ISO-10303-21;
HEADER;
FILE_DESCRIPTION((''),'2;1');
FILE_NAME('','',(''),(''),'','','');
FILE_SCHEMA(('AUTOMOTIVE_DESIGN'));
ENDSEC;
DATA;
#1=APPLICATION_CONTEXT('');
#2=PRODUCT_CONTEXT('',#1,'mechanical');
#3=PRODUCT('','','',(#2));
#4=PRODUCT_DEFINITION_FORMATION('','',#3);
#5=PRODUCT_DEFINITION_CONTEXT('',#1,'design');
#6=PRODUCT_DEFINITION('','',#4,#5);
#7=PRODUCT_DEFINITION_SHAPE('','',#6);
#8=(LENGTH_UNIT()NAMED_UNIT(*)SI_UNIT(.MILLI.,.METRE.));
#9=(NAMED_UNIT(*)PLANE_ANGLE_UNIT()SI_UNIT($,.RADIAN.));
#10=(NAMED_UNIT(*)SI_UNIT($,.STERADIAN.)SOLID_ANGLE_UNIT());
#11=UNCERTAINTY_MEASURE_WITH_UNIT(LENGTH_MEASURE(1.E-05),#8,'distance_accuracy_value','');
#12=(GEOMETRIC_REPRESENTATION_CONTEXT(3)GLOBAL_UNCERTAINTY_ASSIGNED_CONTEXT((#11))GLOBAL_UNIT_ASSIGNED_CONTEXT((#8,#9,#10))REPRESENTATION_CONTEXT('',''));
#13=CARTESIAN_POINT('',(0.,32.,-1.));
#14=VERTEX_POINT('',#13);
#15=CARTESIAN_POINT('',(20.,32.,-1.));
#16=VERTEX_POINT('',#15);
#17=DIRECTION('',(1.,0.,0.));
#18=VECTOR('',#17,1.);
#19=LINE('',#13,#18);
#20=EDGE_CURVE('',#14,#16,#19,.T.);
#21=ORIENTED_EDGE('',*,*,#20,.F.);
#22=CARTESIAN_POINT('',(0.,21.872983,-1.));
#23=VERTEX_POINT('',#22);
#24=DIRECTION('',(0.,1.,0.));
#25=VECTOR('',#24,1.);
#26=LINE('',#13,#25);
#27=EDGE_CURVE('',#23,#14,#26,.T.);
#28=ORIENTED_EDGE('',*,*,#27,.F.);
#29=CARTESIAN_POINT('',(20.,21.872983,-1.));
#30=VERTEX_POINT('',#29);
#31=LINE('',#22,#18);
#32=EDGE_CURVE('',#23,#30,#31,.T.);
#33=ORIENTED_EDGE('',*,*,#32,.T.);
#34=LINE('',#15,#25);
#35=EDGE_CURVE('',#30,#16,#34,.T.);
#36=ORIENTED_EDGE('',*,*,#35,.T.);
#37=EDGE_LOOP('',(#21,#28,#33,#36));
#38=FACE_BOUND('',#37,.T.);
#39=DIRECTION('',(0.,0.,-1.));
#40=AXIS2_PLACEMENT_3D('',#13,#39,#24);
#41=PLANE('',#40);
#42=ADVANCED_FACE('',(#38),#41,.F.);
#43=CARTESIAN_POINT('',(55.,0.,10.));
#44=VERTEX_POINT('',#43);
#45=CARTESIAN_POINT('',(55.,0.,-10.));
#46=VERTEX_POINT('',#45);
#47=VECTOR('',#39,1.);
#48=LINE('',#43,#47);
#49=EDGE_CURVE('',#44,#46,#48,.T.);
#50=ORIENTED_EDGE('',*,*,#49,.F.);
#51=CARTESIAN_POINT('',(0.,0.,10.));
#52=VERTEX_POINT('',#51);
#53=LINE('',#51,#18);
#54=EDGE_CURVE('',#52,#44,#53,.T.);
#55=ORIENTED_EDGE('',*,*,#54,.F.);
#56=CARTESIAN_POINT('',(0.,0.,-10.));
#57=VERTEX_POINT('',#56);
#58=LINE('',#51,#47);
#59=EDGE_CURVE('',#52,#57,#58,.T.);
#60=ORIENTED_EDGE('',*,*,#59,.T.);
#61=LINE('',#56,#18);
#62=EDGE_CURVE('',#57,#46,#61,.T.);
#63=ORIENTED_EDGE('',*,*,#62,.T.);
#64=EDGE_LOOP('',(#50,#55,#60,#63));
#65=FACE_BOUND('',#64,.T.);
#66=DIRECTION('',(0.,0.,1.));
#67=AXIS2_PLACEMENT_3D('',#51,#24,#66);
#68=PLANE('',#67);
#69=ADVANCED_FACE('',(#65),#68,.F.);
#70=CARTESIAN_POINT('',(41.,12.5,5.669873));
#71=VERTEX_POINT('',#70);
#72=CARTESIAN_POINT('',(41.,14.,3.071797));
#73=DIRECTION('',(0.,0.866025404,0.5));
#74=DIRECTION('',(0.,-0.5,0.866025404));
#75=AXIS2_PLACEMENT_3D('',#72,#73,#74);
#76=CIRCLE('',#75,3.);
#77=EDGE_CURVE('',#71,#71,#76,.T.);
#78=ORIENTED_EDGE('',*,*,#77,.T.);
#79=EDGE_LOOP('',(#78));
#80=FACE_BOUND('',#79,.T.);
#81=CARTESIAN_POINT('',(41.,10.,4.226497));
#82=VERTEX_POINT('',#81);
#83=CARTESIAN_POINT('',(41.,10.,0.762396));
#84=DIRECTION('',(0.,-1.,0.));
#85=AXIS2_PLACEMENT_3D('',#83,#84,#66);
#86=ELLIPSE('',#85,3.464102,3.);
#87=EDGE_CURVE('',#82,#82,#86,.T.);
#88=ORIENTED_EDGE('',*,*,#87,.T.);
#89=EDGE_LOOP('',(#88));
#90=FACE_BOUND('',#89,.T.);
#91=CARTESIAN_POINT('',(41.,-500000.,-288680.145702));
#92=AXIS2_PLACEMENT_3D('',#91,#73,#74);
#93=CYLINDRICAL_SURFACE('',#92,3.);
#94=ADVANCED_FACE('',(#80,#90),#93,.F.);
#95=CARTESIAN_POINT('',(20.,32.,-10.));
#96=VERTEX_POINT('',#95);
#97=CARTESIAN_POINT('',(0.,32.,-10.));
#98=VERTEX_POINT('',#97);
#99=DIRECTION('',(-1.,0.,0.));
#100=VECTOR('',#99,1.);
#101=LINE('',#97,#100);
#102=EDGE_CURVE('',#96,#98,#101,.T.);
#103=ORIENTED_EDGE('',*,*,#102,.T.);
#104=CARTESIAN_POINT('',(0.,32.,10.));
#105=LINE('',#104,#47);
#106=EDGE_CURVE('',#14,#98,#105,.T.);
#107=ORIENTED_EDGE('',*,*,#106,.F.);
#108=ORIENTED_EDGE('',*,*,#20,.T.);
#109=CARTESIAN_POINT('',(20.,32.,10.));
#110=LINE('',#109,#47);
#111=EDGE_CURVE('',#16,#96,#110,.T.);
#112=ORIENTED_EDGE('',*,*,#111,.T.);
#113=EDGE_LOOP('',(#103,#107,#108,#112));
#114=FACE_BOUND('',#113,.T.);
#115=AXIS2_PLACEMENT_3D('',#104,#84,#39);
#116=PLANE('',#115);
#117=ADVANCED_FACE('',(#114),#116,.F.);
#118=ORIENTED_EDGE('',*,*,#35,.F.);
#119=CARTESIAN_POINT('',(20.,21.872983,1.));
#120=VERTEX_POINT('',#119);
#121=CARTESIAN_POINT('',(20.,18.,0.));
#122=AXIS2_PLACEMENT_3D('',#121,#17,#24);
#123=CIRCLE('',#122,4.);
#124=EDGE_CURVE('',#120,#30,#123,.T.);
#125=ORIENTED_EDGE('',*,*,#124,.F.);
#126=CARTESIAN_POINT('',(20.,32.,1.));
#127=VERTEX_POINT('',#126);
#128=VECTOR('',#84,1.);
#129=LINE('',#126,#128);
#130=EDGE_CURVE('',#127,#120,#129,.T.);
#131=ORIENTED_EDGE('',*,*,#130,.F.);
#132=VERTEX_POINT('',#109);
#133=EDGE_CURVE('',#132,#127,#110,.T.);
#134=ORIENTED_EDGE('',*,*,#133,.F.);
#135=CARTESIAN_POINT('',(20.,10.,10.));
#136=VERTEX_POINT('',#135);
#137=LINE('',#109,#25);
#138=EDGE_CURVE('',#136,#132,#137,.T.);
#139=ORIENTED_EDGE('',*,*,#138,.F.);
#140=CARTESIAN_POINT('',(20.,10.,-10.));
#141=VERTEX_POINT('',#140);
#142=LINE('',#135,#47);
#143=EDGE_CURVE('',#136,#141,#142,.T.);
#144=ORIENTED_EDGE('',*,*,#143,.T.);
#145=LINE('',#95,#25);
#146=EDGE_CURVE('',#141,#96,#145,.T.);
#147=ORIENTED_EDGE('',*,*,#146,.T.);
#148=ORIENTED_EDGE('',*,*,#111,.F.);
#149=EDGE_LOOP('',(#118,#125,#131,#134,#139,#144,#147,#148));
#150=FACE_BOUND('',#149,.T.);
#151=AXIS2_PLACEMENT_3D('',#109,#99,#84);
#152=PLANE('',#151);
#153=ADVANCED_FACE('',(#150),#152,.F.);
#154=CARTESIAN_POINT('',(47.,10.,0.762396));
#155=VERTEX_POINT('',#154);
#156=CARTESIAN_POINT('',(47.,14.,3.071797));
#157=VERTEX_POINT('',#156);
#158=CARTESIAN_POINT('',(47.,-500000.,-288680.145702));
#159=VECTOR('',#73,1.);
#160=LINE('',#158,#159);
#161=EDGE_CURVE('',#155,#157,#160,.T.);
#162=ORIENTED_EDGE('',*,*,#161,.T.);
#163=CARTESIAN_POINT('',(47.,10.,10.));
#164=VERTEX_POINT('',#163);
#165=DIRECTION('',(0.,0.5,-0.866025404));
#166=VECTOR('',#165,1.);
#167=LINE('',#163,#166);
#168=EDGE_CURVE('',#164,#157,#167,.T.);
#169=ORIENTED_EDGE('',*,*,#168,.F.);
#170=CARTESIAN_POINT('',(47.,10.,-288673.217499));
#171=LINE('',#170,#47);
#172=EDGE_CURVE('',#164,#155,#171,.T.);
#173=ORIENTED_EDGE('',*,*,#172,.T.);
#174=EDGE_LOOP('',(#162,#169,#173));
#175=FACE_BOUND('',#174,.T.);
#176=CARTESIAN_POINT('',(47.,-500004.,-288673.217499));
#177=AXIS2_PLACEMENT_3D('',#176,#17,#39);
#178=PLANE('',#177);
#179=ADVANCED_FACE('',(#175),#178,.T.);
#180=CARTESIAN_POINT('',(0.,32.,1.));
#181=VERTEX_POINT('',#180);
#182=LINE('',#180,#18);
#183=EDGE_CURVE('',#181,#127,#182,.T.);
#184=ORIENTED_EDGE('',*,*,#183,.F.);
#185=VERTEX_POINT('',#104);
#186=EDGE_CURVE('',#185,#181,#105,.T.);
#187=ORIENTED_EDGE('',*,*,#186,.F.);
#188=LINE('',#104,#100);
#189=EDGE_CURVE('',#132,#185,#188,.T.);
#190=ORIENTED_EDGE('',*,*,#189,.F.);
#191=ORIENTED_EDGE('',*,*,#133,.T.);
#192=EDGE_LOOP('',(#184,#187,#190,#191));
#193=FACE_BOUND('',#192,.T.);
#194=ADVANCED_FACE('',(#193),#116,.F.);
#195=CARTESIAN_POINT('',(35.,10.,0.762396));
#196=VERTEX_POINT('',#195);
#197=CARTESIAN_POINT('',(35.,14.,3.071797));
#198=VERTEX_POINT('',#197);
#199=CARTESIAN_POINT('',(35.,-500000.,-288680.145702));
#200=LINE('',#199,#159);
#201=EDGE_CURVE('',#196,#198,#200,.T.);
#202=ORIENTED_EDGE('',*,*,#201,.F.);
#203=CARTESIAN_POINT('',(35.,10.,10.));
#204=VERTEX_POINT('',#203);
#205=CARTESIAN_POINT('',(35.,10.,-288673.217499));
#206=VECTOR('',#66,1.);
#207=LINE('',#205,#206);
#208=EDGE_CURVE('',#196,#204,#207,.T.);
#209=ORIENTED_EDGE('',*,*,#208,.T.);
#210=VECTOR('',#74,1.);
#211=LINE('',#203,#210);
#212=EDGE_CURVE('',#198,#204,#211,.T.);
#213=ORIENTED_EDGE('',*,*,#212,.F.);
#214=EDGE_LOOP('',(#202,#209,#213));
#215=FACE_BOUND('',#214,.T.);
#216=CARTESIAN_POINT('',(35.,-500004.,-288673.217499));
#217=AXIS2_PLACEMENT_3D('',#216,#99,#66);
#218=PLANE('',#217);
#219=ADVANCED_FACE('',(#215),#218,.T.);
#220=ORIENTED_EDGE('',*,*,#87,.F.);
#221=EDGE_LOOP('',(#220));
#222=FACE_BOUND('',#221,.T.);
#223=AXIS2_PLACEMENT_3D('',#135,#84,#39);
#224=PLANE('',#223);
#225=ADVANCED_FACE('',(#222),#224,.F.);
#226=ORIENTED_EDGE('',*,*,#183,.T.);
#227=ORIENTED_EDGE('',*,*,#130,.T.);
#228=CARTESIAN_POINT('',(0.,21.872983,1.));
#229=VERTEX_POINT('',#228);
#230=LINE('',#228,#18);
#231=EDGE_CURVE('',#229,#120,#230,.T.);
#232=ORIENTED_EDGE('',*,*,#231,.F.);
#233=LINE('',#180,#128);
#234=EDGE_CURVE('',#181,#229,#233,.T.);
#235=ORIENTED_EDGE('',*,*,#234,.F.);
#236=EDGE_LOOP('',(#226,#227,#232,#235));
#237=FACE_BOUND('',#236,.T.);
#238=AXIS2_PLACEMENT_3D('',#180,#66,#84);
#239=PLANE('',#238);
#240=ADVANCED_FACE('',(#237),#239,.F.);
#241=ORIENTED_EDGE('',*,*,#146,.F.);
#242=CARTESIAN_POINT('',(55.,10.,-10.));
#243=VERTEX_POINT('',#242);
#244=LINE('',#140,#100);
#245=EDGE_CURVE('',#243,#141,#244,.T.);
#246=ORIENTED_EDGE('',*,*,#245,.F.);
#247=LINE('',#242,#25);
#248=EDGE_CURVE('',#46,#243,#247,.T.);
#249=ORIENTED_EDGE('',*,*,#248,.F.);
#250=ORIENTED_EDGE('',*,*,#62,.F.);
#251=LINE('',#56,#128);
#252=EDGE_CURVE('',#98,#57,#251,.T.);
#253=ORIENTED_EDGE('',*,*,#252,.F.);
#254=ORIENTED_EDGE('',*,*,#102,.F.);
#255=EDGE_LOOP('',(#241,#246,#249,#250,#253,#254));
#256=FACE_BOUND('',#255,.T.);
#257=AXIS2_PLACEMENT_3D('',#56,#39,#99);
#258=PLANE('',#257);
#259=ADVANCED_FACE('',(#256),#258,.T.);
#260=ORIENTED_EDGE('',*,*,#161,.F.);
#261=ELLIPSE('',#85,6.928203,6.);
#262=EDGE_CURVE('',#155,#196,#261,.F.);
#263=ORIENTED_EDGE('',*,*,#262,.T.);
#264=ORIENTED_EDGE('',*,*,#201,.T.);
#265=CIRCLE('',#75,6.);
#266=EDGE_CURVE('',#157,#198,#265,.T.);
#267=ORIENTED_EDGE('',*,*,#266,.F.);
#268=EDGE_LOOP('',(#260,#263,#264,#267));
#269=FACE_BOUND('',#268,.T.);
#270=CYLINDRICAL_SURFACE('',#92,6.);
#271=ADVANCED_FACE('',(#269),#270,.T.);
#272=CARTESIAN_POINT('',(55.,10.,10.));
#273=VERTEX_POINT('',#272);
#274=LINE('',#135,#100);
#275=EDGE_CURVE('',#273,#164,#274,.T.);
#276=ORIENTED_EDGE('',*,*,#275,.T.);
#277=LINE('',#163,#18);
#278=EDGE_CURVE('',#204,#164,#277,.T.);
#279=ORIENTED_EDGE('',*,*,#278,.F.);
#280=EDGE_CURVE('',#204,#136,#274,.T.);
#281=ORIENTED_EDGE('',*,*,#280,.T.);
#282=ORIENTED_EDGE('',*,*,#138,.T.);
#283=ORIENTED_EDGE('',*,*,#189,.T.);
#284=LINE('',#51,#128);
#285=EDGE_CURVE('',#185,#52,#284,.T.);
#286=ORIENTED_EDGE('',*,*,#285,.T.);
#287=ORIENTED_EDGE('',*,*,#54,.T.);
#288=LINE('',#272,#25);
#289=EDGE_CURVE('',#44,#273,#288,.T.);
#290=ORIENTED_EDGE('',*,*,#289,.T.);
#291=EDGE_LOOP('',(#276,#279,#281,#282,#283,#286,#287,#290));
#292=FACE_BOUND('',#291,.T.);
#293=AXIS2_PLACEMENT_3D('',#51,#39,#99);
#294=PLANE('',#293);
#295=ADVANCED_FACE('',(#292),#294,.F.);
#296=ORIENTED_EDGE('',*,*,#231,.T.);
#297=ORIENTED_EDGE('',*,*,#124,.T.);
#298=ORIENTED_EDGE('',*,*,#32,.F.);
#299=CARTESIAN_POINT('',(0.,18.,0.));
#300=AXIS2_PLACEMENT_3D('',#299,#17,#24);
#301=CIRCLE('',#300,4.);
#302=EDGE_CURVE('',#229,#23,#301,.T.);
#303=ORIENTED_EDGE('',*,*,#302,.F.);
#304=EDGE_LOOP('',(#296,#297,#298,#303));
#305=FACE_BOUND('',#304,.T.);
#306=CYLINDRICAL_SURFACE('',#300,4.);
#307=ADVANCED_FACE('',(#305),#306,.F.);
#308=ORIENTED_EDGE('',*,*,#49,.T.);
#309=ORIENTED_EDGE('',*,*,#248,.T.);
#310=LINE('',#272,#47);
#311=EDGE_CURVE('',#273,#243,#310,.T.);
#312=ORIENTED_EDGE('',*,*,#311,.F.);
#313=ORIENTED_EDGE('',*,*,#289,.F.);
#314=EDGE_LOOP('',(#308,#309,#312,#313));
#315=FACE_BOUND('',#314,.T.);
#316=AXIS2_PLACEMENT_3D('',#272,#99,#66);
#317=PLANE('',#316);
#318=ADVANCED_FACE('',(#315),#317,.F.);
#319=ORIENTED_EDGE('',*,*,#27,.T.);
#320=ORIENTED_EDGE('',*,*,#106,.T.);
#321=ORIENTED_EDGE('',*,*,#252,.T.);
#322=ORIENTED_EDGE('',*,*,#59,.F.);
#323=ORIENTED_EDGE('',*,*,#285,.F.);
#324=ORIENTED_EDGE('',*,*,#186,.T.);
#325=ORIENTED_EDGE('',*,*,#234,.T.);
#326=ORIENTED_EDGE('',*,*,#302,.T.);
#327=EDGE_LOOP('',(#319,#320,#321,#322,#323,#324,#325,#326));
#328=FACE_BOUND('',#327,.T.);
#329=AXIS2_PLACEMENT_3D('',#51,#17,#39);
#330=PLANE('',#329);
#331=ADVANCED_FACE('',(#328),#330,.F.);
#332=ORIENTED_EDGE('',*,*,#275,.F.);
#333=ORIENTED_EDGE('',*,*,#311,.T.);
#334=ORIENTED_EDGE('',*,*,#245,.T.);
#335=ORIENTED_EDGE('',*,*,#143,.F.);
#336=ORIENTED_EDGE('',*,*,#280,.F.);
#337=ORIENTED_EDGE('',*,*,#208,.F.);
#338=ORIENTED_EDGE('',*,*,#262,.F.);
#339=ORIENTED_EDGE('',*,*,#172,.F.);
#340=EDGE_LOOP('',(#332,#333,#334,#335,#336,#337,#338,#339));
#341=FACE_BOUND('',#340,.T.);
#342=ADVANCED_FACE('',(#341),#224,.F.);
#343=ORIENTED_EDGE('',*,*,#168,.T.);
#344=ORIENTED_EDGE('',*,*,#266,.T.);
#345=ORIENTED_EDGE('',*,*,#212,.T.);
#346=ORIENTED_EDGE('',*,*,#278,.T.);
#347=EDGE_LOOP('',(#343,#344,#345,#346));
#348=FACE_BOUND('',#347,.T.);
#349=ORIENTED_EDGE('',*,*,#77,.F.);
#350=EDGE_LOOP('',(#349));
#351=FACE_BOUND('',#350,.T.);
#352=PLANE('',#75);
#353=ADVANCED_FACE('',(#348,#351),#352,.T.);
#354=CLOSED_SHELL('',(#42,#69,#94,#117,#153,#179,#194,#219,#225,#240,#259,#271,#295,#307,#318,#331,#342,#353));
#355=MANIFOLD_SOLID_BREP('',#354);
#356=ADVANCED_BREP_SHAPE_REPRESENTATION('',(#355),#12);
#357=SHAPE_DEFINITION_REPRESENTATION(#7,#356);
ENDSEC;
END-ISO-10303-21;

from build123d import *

# Parameters (mm, degrees)
BOSS_EXTRUDE1_DEPTH = 10
CUT_EXTRUDE1_DEPTH  = 21
BOSS_EXTRUDE2_REACH = 20.66
SKETCH3_R           = 3


with BuildPart() as part:
    # Sketch1 → Boss-Extrude1 (new body, symmetric)
    with BuildSketch(Plane.XY):
        Polygon((0, 0), (55, 0), (55, 10), (20, 10), (20, 32), (0, 32), align=None)
    extrude(amount=BOSS_EXTRUDE1_DEPTH, both=True)

    # Sketch2 → Cut-Extrude1 (cut, through all)
    with BuildSketch(Plane(origin=(20, 0, 0), x_dir=(0, 0, -1), z_dir=(1, 0, 0))):
        with BuildLine():
            Line((-1, 32), (1, 32))
            Line((1, 32), (1, 21.872983346))
            ThreePointArc((1, 21.872983346), (0, 14), (-1, 21.872983346))
            Line((-1, 21.872983346), (-1, 32))
        make_face()
    extrude(amount=-CUT_EXTRUDE1_DEPTH, mode=Mode.SUBTRACT)

    # Sketch3 → Boss-Extrude2 (add, up to next)
    with BuildSketch(Plane(origin=(0, 11.830127019, 6.830127019), x_dir=(-1, 0, 0), z_dir=(0, 0.866025404, 0.5)), mode=Mode.PRIVATE) as boss_extrude2_sk1:
        with BuildLine():
            Line((-47, 3.660254038), (-35, 3.660254038))
            Line((-35, 3.660254038), (-35, -4.339745962))
            ThreePointArc((-35, -4.339745962), (-41, -10.339745962), (-47, -4.339745962))
            Line((-47, -4.339745962), (-47, 3.660254038))
        make_face()
        with Locations(Location((-41, -4.339745962, 0), (0, 0, 90))):  # turned: the seam where the file's is
            Circle(SKETCH3_R, mode=Mode.SUBTRACT)
    boss_extrude2_tool1 = extrude(boss_extrude2_sk1.sketch, amount=-BOSS_EXTRUDE2_REACH, mode=Mode.PRIVATE) - part.part
    add(boss_extrude2_tool1.solids().sort_by_distance((41, 10.092195, 9.840313))[0])


solid = part.part
